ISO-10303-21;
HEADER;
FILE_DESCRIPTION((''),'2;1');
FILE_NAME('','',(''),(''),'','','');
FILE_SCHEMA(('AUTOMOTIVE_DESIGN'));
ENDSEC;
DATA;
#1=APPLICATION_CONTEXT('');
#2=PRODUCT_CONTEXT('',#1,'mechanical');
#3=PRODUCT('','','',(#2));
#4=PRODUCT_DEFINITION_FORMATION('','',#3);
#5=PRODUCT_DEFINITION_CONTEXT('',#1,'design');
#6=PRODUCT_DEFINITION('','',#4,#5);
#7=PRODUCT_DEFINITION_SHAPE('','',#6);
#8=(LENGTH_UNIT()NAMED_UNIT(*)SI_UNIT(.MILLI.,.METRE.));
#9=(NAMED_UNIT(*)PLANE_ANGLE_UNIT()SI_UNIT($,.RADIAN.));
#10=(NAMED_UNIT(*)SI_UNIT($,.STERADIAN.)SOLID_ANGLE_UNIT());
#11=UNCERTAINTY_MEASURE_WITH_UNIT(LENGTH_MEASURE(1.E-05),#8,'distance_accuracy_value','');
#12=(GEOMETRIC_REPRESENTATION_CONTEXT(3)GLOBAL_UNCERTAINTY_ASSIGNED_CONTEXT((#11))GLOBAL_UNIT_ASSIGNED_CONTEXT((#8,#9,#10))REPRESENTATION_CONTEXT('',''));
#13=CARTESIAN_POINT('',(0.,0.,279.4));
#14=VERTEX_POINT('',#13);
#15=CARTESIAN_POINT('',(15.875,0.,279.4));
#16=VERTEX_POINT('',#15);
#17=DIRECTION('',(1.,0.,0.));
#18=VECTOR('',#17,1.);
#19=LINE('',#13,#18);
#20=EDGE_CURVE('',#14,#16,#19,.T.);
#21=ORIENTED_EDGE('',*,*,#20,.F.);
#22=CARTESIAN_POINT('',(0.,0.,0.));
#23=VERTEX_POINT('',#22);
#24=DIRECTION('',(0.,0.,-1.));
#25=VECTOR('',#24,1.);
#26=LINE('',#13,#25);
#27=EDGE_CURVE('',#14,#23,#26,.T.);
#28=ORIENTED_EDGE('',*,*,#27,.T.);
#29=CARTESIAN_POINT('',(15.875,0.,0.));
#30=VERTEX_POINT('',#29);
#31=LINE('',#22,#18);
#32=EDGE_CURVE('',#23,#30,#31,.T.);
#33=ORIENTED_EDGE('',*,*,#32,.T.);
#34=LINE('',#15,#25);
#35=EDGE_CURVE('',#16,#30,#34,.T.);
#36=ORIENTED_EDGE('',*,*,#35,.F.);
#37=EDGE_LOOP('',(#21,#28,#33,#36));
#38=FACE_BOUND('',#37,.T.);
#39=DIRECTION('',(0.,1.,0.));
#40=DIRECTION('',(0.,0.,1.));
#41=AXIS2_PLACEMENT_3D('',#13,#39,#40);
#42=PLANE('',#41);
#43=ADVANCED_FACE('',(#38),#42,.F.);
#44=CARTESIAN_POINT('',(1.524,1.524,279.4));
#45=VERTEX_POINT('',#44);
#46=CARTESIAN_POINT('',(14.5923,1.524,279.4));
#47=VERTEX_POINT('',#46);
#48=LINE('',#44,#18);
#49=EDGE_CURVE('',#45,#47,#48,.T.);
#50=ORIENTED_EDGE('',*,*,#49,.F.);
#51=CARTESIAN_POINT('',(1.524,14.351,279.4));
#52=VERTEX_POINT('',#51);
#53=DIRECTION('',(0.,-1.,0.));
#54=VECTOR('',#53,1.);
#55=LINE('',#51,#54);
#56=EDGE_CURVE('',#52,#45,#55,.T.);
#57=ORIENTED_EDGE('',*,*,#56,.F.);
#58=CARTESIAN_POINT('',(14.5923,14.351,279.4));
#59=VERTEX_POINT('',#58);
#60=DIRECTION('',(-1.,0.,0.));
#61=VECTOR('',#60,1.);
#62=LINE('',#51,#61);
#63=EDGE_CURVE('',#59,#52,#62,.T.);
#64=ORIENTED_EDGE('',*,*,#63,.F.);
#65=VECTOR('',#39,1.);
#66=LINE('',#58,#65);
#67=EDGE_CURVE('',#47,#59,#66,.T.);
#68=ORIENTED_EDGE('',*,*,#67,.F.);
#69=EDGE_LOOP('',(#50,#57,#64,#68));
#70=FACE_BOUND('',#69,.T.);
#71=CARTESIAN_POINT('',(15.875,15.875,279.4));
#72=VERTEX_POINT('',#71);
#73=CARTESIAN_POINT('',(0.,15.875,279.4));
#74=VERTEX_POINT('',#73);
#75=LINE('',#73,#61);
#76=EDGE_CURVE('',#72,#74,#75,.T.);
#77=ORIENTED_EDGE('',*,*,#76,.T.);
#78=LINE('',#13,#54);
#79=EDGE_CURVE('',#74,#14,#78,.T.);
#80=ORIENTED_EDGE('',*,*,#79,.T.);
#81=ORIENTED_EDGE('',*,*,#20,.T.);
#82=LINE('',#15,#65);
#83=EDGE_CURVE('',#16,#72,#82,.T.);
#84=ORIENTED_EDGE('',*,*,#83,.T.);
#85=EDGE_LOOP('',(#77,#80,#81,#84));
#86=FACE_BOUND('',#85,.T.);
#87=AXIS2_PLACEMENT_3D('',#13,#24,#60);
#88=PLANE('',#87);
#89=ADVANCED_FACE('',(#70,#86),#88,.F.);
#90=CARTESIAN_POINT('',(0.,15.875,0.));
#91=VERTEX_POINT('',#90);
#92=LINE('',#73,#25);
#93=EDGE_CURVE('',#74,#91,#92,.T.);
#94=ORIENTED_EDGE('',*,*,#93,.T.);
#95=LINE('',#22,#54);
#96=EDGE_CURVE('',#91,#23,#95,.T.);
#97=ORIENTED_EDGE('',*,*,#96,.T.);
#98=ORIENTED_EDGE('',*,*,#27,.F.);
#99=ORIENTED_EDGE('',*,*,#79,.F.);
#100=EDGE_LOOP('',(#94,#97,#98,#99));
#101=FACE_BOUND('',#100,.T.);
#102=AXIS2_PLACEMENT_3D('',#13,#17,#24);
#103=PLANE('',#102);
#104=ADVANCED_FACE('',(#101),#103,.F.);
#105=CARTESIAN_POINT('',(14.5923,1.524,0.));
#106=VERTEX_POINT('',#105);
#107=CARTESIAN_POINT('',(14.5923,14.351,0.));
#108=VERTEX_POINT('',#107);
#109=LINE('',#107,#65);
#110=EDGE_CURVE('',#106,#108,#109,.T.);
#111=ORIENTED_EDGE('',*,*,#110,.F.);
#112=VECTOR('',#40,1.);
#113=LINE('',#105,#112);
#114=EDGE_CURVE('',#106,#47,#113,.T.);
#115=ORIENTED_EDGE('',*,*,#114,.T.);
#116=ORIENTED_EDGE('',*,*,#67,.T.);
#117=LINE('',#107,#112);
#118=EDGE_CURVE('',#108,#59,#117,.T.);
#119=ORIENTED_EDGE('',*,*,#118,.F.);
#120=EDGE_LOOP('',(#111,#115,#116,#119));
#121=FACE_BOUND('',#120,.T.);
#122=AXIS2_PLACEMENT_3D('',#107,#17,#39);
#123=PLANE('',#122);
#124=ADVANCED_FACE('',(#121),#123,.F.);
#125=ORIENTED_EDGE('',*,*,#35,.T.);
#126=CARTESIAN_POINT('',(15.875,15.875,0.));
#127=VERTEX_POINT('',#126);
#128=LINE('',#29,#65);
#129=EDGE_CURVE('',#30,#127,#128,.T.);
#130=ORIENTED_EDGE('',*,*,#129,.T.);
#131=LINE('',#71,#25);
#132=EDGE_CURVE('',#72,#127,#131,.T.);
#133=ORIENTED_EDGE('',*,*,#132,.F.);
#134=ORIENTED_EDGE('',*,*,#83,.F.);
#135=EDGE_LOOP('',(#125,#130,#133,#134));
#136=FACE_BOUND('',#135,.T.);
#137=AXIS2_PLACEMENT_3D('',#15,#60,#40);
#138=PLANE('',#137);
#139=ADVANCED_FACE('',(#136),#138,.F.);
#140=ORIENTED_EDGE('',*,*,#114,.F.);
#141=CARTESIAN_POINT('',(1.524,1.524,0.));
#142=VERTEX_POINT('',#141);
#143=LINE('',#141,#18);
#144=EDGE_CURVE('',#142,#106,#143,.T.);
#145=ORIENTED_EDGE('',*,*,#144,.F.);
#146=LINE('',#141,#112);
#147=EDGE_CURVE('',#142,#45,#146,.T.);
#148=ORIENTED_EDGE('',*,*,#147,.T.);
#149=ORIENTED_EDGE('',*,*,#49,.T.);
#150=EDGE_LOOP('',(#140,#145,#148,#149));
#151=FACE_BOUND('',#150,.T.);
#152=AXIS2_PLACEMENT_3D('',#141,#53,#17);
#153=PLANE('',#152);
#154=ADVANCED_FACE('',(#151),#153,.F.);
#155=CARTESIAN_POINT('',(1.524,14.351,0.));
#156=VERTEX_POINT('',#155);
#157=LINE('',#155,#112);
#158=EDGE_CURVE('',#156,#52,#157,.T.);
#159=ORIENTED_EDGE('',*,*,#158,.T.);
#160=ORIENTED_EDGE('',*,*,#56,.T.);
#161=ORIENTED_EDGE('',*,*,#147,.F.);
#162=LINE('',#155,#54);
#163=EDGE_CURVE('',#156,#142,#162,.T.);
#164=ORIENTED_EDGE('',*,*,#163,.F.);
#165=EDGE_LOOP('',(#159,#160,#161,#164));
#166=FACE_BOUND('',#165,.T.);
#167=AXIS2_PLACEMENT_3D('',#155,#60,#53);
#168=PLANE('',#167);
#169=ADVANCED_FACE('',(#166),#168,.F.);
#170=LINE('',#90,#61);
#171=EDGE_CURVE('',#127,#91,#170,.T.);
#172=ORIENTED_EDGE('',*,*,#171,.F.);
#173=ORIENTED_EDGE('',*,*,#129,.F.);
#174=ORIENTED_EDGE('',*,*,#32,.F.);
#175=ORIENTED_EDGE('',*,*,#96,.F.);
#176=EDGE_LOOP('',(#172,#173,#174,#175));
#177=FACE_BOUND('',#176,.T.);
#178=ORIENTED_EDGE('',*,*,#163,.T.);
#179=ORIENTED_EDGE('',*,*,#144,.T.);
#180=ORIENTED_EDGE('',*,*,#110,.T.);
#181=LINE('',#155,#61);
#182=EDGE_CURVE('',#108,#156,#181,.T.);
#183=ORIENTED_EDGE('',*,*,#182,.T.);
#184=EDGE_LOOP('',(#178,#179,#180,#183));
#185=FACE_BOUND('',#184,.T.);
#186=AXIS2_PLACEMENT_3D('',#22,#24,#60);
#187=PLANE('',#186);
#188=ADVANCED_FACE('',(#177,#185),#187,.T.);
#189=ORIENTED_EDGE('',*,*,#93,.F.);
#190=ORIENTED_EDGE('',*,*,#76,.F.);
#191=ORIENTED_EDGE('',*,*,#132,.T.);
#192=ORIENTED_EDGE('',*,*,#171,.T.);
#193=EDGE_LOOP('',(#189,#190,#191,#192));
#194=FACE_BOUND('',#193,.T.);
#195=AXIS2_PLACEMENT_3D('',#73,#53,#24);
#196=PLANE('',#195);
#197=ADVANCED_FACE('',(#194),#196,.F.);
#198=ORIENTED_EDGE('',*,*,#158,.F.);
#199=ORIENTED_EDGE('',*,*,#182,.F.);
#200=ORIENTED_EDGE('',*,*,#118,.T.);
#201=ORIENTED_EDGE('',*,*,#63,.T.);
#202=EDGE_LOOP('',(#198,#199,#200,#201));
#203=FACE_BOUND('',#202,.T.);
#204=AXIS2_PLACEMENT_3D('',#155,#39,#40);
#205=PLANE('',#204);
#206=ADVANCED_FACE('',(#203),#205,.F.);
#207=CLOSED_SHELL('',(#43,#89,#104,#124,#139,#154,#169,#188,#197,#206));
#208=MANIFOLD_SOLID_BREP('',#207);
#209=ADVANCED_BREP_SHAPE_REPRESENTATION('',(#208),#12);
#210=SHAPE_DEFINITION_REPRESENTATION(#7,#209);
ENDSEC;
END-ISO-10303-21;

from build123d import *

# Parameters (mm, degrees)
SKETCH1_W           = 15.875
SKETCH1_H           = 15.875
BOSS_EXTRUDE1_DEPTH = 279.4
SKETCH4_W           = 13.0683
SKETCH4_H           = 12.827
CUT_EXTRUDE1_DEPTH  = 281.30053737


with BuildPart() as part:
    # Sketch1 → Boss-Extrude1 (new body)
    with BuildSketch(Plane.XY):
        with Locations((7.9375, 7.9375)):
            Rectangle(SKETCH1_W, SKETCH1_H)
    extrude(amount=BOSS_EXTRUDE1_DEPTH)

    # Sketch4 → Cut-Extrude1 (cut, through all)
    with BuildSketch(Plane.XY.offset(279.4)):
        with Locations((8.05815, 7.9375)):
            Rectangle(SKETCH4_W, SKETCH4_H)
    extrude(amount=-CUT_EXTRUDE1_DEPTH, mode=Mode.SUBTRACT)


solid = part.part
